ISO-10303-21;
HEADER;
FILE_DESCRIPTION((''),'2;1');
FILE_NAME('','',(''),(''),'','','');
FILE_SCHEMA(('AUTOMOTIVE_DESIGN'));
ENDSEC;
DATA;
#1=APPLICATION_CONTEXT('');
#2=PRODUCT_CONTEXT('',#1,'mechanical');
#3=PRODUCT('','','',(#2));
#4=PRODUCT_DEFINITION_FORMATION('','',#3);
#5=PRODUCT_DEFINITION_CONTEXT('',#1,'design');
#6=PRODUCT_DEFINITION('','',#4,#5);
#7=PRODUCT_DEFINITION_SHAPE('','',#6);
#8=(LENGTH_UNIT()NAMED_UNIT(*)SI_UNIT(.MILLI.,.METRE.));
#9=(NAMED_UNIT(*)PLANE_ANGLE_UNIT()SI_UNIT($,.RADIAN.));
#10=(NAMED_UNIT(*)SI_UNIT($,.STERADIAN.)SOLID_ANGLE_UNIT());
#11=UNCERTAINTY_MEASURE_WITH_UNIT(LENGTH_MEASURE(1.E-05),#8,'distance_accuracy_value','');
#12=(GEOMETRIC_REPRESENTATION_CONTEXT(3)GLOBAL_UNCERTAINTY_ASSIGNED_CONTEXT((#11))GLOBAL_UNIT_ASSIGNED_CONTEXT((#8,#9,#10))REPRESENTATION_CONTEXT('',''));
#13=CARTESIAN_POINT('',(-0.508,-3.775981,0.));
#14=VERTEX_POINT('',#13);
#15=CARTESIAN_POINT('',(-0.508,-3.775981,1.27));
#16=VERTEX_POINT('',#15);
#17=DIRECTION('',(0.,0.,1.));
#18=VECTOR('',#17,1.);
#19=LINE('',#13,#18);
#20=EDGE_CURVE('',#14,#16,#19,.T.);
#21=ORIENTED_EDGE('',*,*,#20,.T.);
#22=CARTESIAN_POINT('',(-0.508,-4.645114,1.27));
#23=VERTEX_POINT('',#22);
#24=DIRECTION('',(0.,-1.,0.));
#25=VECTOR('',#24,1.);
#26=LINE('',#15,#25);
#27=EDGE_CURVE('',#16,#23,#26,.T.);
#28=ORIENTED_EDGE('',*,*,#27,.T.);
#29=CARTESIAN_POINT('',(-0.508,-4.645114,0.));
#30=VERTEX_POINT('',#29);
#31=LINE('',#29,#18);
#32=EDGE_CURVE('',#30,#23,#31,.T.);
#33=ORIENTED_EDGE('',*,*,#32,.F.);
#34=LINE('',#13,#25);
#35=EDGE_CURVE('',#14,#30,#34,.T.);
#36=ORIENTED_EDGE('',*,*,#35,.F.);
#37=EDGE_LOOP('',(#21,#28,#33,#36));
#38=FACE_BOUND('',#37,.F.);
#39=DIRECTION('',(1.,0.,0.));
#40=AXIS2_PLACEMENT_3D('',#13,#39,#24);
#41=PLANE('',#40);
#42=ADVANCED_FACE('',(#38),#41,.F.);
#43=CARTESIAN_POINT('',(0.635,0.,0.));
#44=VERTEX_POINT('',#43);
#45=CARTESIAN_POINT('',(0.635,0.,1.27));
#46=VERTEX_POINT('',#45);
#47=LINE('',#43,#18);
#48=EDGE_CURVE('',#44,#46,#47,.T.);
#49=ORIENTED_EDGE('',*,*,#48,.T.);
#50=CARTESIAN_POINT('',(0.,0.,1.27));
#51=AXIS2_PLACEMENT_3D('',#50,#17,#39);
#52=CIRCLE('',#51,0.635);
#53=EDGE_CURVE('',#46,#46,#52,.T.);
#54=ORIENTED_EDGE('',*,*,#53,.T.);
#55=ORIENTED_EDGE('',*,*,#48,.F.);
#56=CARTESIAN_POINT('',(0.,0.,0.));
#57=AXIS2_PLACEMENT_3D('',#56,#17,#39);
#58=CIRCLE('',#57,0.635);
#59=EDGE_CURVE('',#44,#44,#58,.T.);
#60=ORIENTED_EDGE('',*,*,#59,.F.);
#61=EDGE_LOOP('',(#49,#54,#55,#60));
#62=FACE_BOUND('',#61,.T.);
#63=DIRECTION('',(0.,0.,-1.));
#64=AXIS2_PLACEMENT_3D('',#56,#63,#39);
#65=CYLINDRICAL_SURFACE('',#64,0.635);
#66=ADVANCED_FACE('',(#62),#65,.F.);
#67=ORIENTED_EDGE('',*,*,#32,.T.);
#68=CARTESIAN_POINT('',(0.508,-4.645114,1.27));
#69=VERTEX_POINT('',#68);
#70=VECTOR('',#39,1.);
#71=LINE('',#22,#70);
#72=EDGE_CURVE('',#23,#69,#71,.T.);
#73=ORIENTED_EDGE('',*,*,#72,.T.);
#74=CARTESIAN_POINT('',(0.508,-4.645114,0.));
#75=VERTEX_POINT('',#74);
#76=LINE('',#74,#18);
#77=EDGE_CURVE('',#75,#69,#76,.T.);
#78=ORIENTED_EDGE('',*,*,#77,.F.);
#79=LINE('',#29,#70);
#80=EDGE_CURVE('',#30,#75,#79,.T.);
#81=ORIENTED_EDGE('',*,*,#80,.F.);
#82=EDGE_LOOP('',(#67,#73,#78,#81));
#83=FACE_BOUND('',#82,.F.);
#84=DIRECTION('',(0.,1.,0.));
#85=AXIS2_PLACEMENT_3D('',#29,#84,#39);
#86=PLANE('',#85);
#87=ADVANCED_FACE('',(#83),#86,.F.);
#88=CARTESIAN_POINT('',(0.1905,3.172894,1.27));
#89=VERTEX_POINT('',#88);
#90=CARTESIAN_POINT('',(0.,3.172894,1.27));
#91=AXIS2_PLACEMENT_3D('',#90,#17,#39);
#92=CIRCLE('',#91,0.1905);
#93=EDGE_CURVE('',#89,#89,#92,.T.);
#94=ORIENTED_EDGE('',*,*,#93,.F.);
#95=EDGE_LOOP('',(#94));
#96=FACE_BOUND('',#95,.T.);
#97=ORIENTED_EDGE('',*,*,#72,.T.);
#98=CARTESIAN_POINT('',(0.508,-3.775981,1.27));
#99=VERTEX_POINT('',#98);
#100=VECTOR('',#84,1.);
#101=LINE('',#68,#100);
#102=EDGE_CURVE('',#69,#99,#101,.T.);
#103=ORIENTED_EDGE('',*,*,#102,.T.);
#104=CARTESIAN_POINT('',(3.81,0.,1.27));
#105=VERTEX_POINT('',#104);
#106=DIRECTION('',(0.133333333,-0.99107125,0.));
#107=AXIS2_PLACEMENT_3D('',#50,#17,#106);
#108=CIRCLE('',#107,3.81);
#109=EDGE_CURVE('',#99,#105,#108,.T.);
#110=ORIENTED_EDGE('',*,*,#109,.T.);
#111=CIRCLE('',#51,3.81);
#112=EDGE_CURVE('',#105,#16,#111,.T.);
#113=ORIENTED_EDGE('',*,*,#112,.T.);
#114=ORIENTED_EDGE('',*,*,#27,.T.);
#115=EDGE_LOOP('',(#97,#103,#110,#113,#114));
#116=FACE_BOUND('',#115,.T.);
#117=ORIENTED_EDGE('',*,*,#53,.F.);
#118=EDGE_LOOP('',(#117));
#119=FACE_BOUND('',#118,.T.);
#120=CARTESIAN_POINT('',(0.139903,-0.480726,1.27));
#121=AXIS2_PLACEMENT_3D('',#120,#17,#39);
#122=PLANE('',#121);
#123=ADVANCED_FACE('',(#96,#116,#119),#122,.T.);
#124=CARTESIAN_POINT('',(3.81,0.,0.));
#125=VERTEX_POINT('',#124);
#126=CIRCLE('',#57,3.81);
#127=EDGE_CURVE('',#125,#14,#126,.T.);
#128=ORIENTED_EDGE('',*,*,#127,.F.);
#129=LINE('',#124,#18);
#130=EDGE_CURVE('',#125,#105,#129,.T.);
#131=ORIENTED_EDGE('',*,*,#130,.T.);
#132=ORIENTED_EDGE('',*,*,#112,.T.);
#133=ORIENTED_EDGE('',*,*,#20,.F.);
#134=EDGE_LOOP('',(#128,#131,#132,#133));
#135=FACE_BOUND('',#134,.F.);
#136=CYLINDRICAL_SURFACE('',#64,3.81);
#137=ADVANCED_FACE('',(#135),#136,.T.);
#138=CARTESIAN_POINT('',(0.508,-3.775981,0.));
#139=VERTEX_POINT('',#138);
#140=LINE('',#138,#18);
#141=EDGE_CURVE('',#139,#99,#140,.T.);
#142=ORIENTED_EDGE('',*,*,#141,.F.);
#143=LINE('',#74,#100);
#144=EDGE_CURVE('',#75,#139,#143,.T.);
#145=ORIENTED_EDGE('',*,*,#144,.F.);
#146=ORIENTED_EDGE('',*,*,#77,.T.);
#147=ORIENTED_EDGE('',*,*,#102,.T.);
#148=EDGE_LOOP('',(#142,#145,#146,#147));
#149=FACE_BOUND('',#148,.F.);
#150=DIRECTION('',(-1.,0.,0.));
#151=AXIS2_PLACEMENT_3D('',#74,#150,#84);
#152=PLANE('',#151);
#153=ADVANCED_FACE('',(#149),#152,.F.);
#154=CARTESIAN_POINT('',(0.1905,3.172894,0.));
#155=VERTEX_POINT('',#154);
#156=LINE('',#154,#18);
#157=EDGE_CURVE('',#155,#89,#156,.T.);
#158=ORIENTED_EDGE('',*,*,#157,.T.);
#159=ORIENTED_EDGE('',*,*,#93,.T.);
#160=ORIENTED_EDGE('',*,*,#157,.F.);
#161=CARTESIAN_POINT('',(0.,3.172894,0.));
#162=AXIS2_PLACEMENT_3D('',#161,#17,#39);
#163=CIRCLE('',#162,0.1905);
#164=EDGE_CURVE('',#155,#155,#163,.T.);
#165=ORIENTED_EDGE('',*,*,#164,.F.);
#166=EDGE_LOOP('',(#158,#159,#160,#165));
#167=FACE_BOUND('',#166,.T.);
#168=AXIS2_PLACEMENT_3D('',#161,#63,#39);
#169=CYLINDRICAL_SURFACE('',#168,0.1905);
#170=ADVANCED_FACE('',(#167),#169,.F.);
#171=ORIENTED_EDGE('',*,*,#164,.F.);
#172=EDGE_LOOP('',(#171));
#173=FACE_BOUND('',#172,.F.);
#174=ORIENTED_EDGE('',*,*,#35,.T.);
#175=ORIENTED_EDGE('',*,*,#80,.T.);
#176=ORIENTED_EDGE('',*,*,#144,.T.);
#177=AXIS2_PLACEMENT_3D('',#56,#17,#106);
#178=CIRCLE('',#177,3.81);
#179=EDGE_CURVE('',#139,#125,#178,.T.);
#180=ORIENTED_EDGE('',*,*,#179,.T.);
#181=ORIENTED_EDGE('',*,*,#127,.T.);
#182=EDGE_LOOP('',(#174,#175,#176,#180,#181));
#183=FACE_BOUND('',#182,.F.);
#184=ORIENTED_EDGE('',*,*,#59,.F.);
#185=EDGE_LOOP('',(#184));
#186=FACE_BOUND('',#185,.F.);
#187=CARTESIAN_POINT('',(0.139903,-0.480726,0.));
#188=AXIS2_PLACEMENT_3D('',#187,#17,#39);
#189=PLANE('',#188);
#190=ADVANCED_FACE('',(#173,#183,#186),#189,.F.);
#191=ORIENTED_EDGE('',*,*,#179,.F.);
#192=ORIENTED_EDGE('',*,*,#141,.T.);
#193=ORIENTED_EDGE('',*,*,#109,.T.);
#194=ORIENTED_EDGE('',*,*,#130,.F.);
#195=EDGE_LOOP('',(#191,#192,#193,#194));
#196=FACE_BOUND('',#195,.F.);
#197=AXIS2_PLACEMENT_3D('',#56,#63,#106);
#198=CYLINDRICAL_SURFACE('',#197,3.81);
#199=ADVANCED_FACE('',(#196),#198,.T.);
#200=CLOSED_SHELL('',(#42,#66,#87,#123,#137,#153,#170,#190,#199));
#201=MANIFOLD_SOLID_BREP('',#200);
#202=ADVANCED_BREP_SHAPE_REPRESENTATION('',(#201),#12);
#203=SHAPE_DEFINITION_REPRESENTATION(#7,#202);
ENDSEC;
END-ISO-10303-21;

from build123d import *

# Parameters (mm, degrees)
F0_R     = 0.635
F0_R_2   = 0.1905
F1_DEPTH = 1.27


with BuildPart() as f1:
    # F0 (on Top) → F1 (new body)
    with BuildSketch(Plane.XY):
        with BuildLine():
            ThreePointArc((0.508, -3.7759814618), (2.8680638068, -2.5080490426), (3.81, 0))
            ThreePointArc((3.81, 0), (-2.5080490426, 2.8680638068), (-0.508, -3.7759814618))
            Line((-0.508, -3.7759814618), (-0.508, -2.1051138332))
            Line((-0.508, -2.1051138332), (0.508, -2.1051138332))
            Line((0.508, -2.1051138332), (0.508, -3.7759814618))
        make_face()
        Circle(F0_R, mode=Mode.SUBTRACT)
        with Locations((0, 3.1728937756)):
            Circle(F0_R_2, mode=Mode.SUBTRACT)
        with BuildLine():
            Line((-0.508, -2.1051138332), (-0.508, -3.7759814618))
            ThreePointArc((-0.508, -3.7759814618), (0, -3.81), (0.508, -3.7759814618))
            Line((0.508, -3.7759814618), (0.508, -2.1051138332))
            Line((0.508, -2.1051138332), (-0.508, -2.1051138332))
        make_face()
        with BuildLine():
            ThreePointArc((0.508, -3.7759814618), (0, -3.81), (-0.508, -3.7759814618))
            Line((-0.508, -3.7759814618), (-0.508, -4.6451138332))
            Line((-0.508, -4.6451138332), (0.508, -4.6451138332))
            Line((0.508, -4.6451138332), (0.508, -3.7759814618))
        make_face()
    extrude(amount=F1_DEPTH)


solid = f1.part
